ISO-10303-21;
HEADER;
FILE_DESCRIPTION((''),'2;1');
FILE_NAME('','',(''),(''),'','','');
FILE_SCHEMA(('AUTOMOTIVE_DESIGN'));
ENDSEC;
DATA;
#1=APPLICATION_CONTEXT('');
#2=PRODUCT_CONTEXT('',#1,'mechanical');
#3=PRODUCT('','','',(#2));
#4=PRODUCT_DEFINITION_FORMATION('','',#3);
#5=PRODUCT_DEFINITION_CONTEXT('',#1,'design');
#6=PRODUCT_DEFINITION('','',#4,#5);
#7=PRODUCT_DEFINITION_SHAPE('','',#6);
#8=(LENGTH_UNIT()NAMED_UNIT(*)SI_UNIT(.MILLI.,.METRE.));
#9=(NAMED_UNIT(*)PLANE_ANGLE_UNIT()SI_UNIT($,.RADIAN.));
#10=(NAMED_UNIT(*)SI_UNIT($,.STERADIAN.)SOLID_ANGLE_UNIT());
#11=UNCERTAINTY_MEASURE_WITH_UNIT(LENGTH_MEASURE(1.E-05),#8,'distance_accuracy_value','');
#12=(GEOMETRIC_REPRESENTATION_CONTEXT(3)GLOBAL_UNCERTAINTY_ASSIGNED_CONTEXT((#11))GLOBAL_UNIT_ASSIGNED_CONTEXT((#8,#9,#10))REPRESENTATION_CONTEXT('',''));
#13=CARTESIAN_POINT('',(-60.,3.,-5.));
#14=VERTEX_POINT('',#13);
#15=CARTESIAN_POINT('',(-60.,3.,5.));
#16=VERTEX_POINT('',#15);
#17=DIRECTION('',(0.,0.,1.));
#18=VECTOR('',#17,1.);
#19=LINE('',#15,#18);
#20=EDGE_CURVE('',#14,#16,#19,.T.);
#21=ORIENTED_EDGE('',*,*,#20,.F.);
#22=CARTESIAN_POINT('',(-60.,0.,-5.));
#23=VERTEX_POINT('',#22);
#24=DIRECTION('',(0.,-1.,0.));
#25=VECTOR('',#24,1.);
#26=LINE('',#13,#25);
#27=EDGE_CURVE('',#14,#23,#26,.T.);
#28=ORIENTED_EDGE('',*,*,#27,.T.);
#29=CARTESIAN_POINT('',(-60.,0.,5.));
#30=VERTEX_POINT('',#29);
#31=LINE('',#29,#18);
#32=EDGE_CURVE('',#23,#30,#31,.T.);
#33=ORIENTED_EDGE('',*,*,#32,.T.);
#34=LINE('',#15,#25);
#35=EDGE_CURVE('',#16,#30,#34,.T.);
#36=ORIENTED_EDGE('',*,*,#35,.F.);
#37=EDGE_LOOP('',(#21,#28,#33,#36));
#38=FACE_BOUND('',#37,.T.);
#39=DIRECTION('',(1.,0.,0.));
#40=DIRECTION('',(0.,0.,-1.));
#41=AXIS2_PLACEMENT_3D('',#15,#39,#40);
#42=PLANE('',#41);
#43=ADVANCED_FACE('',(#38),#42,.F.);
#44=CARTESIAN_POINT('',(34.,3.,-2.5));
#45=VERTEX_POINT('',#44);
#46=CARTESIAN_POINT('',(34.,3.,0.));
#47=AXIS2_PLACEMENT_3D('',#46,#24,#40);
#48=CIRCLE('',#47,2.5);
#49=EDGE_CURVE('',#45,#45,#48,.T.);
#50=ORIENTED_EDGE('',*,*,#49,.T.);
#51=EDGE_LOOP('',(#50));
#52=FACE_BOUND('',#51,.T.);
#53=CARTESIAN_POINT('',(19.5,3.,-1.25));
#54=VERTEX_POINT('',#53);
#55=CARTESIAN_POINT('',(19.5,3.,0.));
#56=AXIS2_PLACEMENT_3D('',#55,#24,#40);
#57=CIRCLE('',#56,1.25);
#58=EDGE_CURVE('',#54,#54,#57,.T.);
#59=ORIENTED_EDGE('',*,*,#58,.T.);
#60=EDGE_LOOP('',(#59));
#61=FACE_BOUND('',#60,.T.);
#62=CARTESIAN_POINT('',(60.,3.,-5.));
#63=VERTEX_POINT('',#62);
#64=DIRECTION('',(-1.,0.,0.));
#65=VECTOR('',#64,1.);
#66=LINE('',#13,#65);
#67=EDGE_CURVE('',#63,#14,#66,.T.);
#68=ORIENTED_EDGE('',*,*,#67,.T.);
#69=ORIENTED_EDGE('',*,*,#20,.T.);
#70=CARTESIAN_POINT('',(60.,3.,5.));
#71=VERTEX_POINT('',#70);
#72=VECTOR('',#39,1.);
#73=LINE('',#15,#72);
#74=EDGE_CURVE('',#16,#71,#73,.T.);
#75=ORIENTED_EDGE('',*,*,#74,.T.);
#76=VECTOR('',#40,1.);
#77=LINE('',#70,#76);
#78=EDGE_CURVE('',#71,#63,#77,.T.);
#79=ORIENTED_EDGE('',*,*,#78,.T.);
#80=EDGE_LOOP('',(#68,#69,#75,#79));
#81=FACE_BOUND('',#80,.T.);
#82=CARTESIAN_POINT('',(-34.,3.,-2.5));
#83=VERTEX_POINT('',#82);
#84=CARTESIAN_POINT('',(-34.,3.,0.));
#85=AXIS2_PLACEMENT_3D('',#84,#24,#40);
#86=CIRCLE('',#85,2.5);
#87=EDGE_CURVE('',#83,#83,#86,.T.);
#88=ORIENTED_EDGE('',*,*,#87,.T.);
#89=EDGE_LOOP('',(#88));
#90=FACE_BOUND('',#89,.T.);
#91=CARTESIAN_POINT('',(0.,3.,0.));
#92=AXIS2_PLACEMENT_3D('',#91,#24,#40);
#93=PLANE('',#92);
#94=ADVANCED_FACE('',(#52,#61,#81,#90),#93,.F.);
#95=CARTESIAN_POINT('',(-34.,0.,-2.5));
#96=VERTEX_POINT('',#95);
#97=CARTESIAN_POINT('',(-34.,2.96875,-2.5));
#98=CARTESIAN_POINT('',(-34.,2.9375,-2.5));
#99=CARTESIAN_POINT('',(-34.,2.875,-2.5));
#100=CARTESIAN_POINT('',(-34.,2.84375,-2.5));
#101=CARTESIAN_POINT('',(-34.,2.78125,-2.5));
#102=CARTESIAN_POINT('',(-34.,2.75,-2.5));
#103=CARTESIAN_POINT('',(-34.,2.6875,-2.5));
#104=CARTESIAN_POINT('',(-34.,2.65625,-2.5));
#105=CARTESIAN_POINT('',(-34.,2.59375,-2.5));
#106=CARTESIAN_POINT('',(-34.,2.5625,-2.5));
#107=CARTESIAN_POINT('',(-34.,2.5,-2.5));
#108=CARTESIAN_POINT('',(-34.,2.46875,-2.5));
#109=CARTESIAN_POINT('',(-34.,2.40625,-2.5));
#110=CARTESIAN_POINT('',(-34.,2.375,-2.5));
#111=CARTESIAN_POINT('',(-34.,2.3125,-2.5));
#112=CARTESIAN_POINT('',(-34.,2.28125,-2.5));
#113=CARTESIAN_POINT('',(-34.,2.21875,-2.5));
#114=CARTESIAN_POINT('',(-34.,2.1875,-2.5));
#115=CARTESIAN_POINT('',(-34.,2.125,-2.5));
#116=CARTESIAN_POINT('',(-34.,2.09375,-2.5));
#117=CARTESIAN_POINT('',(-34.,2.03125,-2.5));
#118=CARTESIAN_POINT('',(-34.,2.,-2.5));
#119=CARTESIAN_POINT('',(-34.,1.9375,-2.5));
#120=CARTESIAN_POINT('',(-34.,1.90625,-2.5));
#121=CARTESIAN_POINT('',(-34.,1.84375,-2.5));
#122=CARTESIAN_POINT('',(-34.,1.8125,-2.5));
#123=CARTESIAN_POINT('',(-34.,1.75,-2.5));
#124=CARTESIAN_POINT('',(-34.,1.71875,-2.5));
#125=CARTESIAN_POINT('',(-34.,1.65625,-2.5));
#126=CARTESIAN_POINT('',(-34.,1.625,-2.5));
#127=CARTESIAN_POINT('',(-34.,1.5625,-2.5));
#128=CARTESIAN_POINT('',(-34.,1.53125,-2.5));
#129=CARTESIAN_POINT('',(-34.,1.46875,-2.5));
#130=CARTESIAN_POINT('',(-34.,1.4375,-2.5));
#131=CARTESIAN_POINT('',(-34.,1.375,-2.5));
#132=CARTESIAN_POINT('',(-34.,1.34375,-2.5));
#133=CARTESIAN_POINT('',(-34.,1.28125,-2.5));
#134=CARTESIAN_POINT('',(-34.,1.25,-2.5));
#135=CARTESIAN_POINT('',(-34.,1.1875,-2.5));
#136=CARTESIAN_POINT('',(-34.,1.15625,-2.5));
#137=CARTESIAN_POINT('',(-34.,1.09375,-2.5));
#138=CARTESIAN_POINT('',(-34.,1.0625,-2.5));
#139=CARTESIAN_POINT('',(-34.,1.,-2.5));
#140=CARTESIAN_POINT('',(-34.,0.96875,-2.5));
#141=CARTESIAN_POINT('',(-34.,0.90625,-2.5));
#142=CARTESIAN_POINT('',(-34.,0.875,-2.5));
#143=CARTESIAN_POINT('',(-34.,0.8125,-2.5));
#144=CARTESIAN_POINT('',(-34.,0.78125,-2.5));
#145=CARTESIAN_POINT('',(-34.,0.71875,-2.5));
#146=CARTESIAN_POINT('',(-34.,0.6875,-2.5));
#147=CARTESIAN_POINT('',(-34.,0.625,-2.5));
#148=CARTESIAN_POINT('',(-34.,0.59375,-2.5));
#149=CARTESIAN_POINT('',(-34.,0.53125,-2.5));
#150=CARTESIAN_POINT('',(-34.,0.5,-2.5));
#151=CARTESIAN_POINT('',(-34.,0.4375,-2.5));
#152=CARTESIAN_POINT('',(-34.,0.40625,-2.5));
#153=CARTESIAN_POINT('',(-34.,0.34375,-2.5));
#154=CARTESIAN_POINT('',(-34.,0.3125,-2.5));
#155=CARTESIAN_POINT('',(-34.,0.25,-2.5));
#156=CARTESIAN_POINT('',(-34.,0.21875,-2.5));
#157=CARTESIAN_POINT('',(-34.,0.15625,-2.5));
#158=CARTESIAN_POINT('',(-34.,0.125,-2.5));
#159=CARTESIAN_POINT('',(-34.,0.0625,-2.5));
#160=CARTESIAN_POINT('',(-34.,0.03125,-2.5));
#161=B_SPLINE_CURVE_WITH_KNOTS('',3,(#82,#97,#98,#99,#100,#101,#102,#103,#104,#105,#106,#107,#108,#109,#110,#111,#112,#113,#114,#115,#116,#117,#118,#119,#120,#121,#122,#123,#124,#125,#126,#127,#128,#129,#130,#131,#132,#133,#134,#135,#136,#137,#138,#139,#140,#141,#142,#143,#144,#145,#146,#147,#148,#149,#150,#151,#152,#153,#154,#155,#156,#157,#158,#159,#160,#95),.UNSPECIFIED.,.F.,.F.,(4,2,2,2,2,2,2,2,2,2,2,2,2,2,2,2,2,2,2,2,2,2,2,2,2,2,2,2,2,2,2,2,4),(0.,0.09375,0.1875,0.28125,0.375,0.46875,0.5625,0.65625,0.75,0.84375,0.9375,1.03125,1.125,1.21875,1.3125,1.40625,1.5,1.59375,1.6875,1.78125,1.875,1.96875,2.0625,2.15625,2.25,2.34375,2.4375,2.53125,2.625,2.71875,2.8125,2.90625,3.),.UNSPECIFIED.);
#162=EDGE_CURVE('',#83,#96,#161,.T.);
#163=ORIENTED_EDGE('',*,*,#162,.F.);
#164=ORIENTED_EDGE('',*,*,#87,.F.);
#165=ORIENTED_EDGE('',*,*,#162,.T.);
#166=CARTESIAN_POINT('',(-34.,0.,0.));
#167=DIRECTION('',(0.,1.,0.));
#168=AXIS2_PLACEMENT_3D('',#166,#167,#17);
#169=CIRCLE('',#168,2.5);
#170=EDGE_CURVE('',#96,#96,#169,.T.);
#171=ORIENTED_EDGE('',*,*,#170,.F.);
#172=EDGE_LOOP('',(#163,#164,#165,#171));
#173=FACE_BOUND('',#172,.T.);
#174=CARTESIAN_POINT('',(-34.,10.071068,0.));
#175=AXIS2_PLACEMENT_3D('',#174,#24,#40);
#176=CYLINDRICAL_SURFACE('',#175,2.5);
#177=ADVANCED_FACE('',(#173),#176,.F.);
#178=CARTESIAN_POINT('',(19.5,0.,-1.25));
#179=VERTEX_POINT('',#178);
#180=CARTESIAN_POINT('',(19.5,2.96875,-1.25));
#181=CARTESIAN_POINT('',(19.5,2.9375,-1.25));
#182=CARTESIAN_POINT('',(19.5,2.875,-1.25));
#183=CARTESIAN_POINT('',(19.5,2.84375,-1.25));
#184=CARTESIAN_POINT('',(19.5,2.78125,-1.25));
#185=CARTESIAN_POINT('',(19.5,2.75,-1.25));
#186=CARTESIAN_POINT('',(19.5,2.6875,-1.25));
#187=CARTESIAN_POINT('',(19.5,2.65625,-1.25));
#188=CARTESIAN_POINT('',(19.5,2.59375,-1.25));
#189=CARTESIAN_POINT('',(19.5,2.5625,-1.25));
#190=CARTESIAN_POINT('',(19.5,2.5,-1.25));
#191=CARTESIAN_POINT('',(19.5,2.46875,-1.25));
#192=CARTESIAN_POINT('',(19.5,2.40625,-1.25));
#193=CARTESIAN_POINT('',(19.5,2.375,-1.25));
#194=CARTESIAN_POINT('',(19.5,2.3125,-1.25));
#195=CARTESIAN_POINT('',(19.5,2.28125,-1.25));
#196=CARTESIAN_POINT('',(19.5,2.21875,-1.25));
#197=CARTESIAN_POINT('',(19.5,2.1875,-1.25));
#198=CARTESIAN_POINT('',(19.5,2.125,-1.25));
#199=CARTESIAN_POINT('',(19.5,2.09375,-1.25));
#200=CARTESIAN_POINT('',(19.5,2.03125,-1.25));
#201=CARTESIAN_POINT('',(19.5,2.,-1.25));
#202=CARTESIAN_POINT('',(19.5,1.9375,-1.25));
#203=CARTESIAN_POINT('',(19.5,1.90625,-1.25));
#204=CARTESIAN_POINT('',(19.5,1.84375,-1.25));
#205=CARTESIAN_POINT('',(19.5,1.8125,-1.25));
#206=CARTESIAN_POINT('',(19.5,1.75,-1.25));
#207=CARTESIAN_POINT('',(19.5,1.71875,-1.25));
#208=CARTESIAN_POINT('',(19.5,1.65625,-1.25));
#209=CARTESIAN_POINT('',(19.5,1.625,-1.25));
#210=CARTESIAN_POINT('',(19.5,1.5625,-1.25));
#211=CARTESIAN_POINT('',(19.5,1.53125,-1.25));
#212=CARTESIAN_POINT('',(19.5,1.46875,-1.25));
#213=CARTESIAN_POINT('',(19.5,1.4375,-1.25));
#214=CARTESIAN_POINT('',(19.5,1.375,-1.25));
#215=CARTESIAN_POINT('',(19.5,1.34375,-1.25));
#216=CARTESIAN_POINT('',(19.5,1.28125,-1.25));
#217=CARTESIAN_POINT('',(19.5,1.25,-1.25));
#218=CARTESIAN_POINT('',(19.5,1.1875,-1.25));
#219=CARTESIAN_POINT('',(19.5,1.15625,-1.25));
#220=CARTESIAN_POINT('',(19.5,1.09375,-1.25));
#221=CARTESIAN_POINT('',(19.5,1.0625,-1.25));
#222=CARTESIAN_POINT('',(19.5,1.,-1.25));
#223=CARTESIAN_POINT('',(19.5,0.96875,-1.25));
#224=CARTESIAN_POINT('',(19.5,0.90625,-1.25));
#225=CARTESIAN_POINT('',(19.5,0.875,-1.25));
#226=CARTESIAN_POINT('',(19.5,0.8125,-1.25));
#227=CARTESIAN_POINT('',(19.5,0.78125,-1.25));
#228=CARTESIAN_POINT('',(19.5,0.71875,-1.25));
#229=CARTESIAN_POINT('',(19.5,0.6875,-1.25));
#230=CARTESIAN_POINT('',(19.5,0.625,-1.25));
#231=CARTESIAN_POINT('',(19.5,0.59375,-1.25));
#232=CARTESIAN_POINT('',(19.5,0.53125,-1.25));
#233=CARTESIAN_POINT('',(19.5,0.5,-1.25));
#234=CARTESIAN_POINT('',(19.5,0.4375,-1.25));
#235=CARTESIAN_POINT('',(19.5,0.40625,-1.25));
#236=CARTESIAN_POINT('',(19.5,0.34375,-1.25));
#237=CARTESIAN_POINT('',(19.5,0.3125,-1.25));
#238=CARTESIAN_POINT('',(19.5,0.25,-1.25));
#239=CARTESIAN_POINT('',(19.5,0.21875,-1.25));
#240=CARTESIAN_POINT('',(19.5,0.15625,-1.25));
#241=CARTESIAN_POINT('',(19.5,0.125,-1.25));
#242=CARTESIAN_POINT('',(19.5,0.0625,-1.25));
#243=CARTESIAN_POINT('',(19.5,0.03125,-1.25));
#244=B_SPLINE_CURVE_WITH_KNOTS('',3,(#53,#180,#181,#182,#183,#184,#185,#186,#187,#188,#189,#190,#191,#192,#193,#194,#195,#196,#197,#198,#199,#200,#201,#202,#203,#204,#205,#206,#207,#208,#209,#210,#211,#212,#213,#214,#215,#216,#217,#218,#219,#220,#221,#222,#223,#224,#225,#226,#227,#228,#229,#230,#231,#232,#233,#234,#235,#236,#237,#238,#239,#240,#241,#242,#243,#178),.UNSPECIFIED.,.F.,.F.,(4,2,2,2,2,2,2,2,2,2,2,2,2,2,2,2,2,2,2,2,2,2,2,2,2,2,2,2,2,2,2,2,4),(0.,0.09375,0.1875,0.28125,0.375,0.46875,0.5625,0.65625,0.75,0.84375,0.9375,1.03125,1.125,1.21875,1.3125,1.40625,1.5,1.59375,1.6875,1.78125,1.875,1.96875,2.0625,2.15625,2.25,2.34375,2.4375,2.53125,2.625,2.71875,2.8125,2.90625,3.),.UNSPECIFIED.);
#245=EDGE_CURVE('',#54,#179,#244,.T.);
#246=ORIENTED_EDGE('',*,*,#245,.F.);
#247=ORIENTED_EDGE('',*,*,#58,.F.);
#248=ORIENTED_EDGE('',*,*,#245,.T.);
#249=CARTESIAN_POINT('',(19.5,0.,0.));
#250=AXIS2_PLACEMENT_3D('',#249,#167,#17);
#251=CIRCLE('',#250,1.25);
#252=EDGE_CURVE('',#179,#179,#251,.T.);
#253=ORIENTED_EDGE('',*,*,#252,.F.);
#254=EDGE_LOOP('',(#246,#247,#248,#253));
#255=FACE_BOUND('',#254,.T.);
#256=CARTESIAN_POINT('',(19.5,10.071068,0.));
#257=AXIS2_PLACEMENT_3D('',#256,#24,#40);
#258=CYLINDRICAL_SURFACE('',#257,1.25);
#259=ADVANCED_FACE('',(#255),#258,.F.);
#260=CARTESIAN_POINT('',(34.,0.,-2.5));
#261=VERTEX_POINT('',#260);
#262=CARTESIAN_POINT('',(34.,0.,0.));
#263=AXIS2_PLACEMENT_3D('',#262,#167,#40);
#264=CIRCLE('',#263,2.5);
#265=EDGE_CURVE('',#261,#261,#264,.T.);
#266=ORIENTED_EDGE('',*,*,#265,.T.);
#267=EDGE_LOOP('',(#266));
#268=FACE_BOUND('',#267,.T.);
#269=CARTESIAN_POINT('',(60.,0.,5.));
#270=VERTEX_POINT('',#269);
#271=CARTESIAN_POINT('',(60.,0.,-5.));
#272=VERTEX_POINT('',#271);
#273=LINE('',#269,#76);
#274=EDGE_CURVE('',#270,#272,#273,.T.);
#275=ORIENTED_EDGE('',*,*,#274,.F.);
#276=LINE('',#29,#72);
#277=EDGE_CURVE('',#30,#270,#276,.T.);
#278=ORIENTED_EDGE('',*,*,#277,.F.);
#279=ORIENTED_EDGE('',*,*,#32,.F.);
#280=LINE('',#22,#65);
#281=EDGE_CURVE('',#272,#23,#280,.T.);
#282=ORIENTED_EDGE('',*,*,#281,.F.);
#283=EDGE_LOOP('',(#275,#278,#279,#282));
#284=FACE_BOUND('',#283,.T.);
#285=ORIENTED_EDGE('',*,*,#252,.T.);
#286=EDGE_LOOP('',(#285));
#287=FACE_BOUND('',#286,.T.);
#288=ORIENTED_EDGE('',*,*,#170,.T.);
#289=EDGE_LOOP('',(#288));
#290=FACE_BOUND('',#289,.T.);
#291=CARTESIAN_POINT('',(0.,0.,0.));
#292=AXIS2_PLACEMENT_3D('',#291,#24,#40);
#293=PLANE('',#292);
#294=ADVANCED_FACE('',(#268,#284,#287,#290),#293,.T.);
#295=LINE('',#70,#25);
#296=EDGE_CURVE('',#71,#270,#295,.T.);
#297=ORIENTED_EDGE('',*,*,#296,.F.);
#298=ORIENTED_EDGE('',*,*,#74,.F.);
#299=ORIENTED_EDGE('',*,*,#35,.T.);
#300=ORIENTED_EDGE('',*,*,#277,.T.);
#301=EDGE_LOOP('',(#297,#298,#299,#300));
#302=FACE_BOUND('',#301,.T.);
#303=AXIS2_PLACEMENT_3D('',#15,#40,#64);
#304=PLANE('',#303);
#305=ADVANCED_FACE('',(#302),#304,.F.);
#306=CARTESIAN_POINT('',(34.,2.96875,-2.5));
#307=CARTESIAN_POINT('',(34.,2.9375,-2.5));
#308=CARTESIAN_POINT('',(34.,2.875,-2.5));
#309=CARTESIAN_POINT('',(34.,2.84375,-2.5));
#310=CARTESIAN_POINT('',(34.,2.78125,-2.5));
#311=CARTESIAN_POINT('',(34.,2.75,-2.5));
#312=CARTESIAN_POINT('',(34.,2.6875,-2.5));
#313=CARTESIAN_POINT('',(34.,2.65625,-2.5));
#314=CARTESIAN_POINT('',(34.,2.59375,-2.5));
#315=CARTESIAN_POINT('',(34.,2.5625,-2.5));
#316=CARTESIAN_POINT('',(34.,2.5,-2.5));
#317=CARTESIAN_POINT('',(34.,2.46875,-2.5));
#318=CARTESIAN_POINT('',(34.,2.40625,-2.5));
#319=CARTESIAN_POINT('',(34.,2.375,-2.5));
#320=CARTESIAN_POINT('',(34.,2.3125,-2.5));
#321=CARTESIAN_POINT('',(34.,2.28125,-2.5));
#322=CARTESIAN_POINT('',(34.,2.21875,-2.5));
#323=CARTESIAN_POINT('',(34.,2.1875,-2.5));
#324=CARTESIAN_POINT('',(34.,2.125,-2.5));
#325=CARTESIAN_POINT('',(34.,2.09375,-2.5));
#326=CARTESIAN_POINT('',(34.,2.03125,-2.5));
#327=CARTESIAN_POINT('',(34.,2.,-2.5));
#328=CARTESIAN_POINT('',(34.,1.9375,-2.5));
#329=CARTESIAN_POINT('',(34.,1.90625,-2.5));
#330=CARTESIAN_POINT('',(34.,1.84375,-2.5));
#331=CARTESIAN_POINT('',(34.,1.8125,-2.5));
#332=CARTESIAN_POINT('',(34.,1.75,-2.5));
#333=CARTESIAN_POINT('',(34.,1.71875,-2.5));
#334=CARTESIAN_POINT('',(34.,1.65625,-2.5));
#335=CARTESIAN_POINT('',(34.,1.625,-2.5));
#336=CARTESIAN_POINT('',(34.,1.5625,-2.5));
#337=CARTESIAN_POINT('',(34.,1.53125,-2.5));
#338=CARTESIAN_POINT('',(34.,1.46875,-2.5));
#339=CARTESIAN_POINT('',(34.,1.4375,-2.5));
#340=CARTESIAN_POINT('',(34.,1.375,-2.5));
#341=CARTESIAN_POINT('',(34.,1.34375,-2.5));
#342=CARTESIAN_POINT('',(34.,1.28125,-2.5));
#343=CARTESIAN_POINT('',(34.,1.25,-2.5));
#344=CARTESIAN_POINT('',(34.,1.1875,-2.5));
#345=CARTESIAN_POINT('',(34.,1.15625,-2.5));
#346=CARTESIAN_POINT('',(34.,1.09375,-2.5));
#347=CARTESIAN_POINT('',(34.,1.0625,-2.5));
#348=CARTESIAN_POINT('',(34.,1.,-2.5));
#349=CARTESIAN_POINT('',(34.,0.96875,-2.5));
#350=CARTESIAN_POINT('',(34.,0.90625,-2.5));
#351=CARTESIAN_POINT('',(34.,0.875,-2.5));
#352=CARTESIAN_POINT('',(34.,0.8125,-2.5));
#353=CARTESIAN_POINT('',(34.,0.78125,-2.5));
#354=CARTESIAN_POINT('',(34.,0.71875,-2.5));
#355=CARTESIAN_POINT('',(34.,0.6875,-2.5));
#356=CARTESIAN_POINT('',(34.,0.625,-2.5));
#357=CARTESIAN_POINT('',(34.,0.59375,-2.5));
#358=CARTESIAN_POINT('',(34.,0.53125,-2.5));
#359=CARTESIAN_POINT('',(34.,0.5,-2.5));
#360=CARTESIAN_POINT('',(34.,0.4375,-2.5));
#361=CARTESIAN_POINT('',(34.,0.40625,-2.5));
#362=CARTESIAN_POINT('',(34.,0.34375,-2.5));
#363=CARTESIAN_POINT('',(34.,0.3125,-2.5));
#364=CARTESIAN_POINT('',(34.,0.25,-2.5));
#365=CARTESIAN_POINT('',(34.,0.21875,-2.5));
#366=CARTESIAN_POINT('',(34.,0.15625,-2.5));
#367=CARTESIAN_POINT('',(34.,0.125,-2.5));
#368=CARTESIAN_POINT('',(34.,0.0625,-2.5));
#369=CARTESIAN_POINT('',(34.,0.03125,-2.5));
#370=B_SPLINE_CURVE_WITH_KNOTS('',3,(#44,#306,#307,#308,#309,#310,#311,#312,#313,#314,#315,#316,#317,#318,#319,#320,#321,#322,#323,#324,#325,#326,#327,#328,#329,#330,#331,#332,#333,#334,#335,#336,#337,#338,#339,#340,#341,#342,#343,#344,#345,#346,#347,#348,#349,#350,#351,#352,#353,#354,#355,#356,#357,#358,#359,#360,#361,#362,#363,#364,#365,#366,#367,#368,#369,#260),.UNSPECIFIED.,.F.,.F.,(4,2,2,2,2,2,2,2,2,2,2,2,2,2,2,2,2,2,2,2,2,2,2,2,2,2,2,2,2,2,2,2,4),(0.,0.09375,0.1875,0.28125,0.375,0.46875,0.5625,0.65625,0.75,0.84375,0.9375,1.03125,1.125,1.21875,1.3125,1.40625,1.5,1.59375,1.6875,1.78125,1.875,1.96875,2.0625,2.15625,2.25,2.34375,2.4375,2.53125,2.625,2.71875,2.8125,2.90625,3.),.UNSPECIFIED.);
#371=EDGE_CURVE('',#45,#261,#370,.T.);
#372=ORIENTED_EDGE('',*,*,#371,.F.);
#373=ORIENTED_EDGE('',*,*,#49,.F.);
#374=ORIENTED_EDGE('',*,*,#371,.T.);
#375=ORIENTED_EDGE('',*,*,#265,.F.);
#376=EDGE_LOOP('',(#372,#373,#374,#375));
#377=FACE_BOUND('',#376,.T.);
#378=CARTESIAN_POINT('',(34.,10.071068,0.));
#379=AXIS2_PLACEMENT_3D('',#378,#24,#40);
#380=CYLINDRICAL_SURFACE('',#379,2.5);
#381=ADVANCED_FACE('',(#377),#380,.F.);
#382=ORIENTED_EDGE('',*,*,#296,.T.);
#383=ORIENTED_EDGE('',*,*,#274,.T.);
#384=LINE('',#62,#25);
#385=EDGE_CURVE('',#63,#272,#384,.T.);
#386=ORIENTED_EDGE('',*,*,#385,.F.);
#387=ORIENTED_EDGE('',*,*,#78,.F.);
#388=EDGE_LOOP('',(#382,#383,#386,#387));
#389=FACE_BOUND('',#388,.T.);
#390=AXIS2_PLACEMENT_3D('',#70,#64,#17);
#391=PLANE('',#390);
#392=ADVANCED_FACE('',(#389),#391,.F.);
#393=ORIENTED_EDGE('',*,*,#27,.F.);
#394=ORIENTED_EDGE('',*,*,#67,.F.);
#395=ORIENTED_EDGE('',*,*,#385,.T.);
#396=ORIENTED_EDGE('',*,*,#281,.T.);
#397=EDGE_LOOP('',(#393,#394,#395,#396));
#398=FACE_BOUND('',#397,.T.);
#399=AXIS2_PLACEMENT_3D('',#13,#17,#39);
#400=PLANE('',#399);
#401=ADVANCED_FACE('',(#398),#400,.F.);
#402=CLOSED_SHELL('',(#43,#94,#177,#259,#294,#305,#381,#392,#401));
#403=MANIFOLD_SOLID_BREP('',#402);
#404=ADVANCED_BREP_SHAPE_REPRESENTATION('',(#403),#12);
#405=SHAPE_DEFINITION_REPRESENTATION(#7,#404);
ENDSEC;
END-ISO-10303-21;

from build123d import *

# Parameters (mm, degrees)
SKETCH3_W           = 120
SKETCH3_H           = 10
BOSS_EXTRUDE1_DEPTH = 3
SKETCH5_R           = 2.5
SKETCH5_R_2         = 1.25
CUT_EXTRUDE1_DEPTH  = 3


with BuildPart() as part:
    # Sketch3 → Boss-Extrude1 (new body)
    with BuildSketch(Plane(origin=(0, 0, 0), x_dir=(1, 0, 0), z_dir=(0, 1, 0))):
        Rectangle(SKETCH3_W, SKETCH3_H)
    extrude(amount=BOSS_EXTRUDE1_DEPTH)

    # Sketch5 → Cut-Extrude1 (cut)
    with BuildSketch(Plane(origin=(0, 0, 0), x_dir=(1, 0, 0), z_dir=(0, 1, 0))):
        with Locations(Location((-34, 0, 0), (0, 0, 90))):
            Circle(SKETCH5_R)
        with Locations(Location((34, 0, 0), (0, 0, 90))):
            Circle(SKETCH5_R)
        with Locations(Location((19.5, 0, 0), (0, 0, 90))):
            Circle(SKETCH5_R_2)
    extrude(amount=CUT_EXTRUDE1_DEPTH, mode=Mode.SUBTRACT)


solid = part.part
